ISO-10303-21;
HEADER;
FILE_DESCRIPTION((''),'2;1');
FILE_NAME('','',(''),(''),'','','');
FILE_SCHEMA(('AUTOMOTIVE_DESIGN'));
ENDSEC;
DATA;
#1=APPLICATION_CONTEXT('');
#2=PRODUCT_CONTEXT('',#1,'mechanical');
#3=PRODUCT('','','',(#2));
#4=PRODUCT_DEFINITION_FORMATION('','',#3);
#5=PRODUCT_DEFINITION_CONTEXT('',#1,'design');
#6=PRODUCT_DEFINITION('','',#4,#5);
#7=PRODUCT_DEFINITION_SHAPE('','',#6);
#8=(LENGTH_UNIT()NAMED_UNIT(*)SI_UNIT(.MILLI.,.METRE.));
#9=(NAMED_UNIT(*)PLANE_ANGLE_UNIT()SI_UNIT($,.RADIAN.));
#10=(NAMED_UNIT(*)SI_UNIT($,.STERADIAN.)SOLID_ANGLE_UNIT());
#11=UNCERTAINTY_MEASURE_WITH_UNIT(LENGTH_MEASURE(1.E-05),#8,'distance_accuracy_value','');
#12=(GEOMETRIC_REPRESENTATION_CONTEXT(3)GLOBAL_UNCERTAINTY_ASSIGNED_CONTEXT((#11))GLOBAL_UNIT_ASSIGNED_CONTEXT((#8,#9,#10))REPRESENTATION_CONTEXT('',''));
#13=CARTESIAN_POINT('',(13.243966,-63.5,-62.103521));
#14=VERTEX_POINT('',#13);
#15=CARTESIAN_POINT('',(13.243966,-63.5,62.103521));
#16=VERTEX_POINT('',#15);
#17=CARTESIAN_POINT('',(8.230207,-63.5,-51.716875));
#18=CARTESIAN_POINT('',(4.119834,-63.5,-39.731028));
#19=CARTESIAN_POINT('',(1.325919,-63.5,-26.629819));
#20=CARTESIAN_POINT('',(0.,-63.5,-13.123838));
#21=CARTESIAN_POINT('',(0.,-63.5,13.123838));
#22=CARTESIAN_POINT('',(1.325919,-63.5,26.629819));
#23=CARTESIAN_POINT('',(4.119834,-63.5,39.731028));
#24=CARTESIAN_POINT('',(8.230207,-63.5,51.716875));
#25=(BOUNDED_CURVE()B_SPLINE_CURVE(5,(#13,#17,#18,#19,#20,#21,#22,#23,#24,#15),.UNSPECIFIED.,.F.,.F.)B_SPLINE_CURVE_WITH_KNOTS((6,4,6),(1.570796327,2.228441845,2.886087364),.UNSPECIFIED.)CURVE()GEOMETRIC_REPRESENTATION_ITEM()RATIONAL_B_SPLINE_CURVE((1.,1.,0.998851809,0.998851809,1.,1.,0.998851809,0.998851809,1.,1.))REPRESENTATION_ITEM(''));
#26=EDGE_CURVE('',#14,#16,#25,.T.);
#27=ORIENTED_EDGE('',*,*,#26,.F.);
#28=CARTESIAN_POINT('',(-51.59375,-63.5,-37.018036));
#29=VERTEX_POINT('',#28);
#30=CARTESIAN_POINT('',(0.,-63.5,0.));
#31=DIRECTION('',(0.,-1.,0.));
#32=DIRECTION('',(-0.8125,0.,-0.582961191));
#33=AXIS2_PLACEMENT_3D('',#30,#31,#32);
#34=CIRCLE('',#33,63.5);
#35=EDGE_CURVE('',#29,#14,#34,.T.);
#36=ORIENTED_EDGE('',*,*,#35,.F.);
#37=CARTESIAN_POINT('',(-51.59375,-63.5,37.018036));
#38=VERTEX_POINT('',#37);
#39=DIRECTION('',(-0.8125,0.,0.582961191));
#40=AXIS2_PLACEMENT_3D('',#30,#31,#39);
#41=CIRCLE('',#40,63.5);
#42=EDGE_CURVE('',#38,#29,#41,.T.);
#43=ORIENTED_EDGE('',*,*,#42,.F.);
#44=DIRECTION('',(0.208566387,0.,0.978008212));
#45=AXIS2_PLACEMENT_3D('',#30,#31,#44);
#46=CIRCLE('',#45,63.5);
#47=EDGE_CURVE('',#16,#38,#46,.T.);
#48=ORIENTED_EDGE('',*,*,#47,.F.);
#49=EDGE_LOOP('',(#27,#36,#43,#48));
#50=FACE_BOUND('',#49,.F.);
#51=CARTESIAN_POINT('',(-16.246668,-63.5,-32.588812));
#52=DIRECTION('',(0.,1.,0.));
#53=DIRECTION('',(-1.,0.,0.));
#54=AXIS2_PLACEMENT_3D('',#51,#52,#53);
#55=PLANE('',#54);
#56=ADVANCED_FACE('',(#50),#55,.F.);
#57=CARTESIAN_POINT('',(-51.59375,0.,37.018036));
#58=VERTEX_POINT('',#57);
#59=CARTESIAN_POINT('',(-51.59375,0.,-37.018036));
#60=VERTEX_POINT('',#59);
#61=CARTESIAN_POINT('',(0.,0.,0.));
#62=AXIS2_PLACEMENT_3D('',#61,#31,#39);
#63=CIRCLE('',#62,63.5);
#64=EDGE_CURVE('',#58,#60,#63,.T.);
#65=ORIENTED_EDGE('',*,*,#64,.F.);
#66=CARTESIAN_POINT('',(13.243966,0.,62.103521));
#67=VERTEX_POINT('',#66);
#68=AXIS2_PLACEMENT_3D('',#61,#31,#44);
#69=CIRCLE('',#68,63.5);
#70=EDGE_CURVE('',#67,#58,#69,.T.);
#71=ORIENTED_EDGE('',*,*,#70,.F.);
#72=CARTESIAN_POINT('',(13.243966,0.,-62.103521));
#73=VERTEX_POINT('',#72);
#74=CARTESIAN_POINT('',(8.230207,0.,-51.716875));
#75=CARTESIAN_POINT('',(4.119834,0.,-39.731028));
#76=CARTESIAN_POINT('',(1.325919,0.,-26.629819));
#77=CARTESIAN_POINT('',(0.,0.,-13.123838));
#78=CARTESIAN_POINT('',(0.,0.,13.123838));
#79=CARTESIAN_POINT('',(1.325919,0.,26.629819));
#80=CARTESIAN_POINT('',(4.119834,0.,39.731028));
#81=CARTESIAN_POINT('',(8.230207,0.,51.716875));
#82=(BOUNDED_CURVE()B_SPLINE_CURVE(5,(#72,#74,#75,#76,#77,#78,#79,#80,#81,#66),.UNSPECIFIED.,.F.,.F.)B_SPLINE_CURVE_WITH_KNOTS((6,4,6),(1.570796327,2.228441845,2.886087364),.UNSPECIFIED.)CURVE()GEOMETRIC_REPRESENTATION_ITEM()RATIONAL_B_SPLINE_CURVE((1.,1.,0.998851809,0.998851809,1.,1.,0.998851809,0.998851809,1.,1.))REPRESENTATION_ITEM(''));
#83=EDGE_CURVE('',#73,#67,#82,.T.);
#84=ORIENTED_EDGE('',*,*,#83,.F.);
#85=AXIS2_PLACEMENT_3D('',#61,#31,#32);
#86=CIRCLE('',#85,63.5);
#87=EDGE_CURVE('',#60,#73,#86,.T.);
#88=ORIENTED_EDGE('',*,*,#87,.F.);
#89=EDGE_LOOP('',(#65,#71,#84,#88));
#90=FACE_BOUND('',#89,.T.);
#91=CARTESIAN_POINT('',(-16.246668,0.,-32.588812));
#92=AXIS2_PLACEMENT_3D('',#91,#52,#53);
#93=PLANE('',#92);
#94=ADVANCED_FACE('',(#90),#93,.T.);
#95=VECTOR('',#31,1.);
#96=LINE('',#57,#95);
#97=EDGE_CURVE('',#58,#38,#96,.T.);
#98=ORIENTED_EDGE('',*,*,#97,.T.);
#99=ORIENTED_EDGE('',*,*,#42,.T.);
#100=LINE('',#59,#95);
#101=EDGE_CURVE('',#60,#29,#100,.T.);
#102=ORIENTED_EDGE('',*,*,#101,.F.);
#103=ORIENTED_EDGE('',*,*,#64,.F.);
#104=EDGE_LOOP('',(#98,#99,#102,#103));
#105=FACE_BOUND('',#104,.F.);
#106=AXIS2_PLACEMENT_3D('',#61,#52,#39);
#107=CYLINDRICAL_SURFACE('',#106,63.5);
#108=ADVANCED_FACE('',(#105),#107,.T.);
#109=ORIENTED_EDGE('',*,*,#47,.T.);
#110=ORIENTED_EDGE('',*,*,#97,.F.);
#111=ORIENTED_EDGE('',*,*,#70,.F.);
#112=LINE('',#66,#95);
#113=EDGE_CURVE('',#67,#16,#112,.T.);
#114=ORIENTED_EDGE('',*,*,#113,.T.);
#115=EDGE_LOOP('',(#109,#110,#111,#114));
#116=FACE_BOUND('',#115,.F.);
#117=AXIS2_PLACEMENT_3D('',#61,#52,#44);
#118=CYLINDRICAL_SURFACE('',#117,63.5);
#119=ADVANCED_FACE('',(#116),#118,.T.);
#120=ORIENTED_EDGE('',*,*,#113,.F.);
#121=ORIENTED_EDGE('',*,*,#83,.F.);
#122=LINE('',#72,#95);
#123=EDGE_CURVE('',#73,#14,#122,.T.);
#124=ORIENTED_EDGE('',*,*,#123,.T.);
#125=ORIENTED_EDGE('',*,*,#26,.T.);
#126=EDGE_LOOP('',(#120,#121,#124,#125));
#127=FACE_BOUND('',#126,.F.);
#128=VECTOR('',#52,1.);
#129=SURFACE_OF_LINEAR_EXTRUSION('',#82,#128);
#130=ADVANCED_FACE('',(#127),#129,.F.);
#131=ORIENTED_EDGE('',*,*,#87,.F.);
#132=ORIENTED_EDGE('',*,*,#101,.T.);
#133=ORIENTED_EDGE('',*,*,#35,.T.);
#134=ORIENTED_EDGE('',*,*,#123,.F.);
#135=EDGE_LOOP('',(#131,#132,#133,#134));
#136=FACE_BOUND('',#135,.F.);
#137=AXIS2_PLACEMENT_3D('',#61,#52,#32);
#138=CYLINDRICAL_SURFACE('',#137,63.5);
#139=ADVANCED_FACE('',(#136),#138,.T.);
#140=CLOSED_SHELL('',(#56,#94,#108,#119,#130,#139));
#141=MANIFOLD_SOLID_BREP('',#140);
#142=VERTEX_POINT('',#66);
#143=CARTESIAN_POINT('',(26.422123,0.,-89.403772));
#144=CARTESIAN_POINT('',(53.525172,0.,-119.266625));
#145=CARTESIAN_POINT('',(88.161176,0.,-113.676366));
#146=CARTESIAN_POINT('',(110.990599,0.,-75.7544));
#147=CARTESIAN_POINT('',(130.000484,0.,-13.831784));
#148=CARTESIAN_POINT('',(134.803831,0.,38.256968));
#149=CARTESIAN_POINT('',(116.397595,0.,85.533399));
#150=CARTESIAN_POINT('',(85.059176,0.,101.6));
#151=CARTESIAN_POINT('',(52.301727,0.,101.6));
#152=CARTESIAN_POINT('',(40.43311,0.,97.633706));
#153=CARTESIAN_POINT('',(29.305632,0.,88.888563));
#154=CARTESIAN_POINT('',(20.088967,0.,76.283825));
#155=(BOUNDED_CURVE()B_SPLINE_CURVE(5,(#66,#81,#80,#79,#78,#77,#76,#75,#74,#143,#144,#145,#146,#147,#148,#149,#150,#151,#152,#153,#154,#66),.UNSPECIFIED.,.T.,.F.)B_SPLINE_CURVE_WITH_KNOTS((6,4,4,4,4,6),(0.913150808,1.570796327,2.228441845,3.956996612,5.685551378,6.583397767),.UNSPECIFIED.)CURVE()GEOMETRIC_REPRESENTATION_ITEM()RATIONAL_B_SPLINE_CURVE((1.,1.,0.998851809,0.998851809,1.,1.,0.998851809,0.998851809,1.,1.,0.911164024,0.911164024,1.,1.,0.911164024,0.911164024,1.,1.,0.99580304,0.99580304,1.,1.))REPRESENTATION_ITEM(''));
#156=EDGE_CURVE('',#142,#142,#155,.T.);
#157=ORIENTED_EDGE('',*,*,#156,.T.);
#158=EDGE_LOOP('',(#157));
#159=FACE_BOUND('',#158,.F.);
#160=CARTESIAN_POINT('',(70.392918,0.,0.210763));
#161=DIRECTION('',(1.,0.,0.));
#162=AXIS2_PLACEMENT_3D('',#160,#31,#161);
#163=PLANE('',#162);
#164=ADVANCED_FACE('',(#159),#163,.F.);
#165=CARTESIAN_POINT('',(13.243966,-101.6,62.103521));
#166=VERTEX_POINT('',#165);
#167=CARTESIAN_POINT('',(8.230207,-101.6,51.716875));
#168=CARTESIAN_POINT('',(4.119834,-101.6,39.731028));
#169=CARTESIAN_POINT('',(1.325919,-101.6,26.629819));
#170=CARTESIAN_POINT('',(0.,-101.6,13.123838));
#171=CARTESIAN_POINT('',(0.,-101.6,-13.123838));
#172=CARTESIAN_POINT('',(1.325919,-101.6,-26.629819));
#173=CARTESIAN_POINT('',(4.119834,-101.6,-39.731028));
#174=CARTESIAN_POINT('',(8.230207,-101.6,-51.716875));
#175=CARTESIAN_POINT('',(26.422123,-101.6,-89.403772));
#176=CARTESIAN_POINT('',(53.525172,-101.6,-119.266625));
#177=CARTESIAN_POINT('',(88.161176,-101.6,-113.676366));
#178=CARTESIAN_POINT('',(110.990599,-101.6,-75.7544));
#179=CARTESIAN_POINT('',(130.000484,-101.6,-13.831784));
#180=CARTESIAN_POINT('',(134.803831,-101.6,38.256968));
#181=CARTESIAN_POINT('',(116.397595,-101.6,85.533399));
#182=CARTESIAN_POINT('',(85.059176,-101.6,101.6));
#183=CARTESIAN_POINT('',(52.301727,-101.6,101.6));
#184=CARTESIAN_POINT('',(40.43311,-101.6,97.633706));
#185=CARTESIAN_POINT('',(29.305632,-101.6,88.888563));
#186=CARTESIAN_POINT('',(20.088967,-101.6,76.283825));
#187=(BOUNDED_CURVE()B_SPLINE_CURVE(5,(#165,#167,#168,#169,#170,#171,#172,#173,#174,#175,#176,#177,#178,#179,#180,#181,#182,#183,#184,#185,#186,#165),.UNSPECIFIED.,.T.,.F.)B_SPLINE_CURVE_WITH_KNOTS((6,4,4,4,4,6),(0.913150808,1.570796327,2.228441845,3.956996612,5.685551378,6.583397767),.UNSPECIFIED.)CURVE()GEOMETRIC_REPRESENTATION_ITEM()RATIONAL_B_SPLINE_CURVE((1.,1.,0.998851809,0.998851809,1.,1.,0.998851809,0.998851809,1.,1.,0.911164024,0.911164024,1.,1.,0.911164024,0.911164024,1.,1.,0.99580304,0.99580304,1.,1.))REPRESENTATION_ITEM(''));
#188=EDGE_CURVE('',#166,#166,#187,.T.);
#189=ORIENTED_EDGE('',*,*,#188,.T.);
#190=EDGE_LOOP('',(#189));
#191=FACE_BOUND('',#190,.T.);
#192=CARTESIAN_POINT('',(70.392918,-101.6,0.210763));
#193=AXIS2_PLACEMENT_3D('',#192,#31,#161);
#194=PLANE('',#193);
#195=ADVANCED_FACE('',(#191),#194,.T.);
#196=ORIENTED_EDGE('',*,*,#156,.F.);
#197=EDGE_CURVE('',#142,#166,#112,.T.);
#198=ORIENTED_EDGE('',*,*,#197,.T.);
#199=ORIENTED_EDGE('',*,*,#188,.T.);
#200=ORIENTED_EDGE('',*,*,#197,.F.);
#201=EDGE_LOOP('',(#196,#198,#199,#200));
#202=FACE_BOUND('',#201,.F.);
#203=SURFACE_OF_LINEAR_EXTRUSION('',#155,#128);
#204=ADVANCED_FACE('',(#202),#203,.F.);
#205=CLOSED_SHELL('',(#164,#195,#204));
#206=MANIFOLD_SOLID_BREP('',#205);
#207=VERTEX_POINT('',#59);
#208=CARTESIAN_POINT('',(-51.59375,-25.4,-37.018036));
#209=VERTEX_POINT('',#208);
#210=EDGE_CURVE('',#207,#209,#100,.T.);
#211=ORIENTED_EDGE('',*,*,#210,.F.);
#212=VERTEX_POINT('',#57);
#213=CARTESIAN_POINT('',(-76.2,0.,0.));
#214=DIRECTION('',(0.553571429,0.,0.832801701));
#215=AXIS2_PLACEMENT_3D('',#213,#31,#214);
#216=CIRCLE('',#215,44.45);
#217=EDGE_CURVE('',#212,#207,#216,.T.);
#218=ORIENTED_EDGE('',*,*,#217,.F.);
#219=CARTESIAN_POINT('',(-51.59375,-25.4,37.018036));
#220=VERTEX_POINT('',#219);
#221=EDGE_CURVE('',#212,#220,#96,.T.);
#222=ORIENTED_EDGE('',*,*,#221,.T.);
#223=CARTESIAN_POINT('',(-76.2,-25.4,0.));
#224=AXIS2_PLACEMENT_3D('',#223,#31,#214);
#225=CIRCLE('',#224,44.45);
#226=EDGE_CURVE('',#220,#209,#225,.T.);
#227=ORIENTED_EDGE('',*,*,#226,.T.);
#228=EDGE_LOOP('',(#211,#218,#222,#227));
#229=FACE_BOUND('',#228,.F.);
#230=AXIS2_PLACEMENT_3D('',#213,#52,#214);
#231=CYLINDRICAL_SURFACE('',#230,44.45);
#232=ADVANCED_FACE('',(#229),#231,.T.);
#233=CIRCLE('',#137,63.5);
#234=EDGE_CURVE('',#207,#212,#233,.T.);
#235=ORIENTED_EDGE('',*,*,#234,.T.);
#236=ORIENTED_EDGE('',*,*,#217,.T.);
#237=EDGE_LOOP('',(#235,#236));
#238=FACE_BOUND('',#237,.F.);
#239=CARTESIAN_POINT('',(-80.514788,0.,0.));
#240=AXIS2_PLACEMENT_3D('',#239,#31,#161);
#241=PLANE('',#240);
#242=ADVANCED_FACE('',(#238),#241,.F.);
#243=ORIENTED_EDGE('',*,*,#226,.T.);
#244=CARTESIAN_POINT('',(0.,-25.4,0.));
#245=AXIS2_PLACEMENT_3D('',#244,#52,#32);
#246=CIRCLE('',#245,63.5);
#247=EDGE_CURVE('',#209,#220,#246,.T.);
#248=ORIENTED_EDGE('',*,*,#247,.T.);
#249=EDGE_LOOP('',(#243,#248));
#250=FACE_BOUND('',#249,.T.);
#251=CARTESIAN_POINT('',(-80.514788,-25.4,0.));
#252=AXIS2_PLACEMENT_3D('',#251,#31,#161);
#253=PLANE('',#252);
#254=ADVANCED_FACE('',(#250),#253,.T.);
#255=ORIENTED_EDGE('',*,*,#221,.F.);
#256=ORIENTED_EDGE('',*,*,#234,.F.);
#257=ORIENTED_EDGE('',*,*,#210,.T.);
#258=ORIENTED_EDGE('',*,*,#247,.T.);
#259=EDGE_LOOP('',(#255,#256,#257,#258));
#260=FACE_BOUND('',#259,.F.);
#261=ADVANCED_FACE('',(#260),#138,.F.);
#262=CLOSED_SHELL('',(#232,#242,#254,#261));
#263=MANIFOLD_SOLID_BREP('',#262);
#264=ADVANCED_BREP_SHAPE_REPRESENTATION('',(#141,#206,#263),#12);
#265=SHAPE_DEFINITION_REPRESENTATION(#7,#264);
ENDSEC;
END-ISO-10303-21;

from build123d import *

# Parameters (mm, degrees)
F1_DEPTH = 25.4
F2_DEPTH = 63.5
F3_DEPTH = 101.6


with BuildPart() as f1:
    # F0 (on Front) → F1 (new body)
    with BuildSketch(Plane.XZ):
        with BuildLine():
            ThreePointArc((-51.59375, -37.0180356169), (-60.4501990278, -19.4428248333), (-63.5, 0))
            ThreePointArc((-63.5, 0), (-60.4501990278, 19.4428248333), (-51.59375, 37.0180356169))
            ThreePointArc((-51.59375, 37.0180356169), (-120.65, 0), (-51.59375, -37.0180356169))
        make_face()
    extrude(amount=F1_DEPTH)


with BuildPart() as f2:
    # F0 (on Front) → F2 (new body)
    with BuildSketch(Plane.XZ):
        with BuildLine():
            add(Edge.make_bspline(
                [(0, 0), (0, -34.6669399309), (13.2439655959, -62.1035214404)],
                knots=[1.5707963268, 1.5707963268, 1.5707963268, 2.2284418454, 2.2284418454, 2.2284418454], degree=2, weights=[1, 0.9464231645, 1]))
            Line((0, 0), (-31.75, 0))
            ThreePointArc((-31.75, 0), (-37.0237934934, -21.0006510316), (-51.59375, -37.0180356169))
            ThreePointArc((-51.59375, -37.0180356169), (-22.9128106244, -59.2220660674), (13.2439655959, -62.1035214404))
        make_face()
        with BuildLine():
            Line((-31.75, 0), (0, 0))
            add(Edge.make_bspline(
                [(13.2439655959, 62.1035214404), (0, 34.6669399309), (0, 0)],
                knots=[0.9131508081, 0.9131508081, 0.9131508081, 1.5707963268, 1.5707963268, 1.5707963268], degree=2, weights=[1, 0.9464231645, 1]))
            ThreePointArc((13.2439655959, 62.1035214404), (-22.9128106244, 59.2220660674), (-51.59375, 37.0180356169))
            ThreePointArc((-51.59375, 37.0180356169), (-37.0237934934, 21.0006510316), (-31.75, 0))
        make_face()
        with BuildLine():
            ThreePointArc((-51.59375, -37.0180356169), (-37.0237934934, -21.0006510316), (-31.75, 0))
            Line((-31.75, 0), (-63.5, 0))
            ThreePointArc((-63.5, 0), (-60.4501990278, -19.4428248333), (-51.59375, -37.0180356169))
        make_face()
        with BuildLine():
            Line((-63.5, 0), (-31.75, 0))
            ThreePointArc((-31.75, 0), (-37.0237934934, 21.0006510316), (-51.59375, 37.0180356169))
            ThreePointArc((-51.59375, 37.0180356169), (-60.4501990278, 19.4428248333), (-63.5, 0))
        make_face()
    extrude(amount=F2_DEPTH)


with BuildPart() as f3:
    # F0 (on Front) → F3 (new body)
    with BuildSketch(Plane.XZ):
        with BuildLine():
            add(Edge.make_bspline(
                [(63.5, 101.6), (32.3093875408, 101.6), (13.2439655959, 62.1035214404)],
                knots=[0, 0, 0, 0.9131508081, 0.9131508081, 0.9131508081], degree=2, weights=[1, 0.8975675831, 1]))
            ThreePointArc((13.2439655959, 62.1035214404), (49.3621404284, 39.9453262889), (63.5, 0))
            ThreePointArc((63.5, 0), (49.3621404284, -39.9453262889), (13.2439655959, -62.1035214404))
            add(Edge.make_bspline(
                [(13.2439655959, -62.1035214404), (75.5537087854, -191.1861844445), (120.4955415237, -44.7930922222), (165.437374262, 101.6), (63.5, 101.6)],
                knots=[2.2284418454, 2.2284418454, 2.2284418454, 4.2558135763, 4.2558135763, 6.2831853072, 6.2831853072, 6.2831853072], degree=2, weights=[1, 0.5287358074, 1, 0.5287358074, 1]))
        make_face()
        with BuildLine():
            add(Edge.make_bspline(
                [(13.2439655959, 62.1035214404), (0, 34.6669399309), (0, 0)],
                knots=[0.9131508081, 0.9131508081, 0.9131508081, 1.5707963268, 1.5707963268, 1.5707963268], degree=2, weights=[1, 0.9464231645, 1]))
            add(Edge.make_bspline(
                [(0, 0), (0, -34.6669399309), (13.2439655959, -62.1035214404)],
                knots=[1.5707963268, 1.5707963268, 1.5707963268, 2.2284418454, 2.2284418454, 2.2284418454], degree=2, weights=[1, 0.9464231645, 1]))
            ThreePointArc((13.2439655959, -62.1035214404), (49.3621404284, -39.9453262889), (63.5, 0))
            ThreePointArc((63.5, 0), (49.3621404284, 39.9453262889), (13.2439655959, 62.1035214404))
        make_face()
    extrude(amount=F3_DEPTH)


solid = Compound([f1.part, f2.part, f3.part])
